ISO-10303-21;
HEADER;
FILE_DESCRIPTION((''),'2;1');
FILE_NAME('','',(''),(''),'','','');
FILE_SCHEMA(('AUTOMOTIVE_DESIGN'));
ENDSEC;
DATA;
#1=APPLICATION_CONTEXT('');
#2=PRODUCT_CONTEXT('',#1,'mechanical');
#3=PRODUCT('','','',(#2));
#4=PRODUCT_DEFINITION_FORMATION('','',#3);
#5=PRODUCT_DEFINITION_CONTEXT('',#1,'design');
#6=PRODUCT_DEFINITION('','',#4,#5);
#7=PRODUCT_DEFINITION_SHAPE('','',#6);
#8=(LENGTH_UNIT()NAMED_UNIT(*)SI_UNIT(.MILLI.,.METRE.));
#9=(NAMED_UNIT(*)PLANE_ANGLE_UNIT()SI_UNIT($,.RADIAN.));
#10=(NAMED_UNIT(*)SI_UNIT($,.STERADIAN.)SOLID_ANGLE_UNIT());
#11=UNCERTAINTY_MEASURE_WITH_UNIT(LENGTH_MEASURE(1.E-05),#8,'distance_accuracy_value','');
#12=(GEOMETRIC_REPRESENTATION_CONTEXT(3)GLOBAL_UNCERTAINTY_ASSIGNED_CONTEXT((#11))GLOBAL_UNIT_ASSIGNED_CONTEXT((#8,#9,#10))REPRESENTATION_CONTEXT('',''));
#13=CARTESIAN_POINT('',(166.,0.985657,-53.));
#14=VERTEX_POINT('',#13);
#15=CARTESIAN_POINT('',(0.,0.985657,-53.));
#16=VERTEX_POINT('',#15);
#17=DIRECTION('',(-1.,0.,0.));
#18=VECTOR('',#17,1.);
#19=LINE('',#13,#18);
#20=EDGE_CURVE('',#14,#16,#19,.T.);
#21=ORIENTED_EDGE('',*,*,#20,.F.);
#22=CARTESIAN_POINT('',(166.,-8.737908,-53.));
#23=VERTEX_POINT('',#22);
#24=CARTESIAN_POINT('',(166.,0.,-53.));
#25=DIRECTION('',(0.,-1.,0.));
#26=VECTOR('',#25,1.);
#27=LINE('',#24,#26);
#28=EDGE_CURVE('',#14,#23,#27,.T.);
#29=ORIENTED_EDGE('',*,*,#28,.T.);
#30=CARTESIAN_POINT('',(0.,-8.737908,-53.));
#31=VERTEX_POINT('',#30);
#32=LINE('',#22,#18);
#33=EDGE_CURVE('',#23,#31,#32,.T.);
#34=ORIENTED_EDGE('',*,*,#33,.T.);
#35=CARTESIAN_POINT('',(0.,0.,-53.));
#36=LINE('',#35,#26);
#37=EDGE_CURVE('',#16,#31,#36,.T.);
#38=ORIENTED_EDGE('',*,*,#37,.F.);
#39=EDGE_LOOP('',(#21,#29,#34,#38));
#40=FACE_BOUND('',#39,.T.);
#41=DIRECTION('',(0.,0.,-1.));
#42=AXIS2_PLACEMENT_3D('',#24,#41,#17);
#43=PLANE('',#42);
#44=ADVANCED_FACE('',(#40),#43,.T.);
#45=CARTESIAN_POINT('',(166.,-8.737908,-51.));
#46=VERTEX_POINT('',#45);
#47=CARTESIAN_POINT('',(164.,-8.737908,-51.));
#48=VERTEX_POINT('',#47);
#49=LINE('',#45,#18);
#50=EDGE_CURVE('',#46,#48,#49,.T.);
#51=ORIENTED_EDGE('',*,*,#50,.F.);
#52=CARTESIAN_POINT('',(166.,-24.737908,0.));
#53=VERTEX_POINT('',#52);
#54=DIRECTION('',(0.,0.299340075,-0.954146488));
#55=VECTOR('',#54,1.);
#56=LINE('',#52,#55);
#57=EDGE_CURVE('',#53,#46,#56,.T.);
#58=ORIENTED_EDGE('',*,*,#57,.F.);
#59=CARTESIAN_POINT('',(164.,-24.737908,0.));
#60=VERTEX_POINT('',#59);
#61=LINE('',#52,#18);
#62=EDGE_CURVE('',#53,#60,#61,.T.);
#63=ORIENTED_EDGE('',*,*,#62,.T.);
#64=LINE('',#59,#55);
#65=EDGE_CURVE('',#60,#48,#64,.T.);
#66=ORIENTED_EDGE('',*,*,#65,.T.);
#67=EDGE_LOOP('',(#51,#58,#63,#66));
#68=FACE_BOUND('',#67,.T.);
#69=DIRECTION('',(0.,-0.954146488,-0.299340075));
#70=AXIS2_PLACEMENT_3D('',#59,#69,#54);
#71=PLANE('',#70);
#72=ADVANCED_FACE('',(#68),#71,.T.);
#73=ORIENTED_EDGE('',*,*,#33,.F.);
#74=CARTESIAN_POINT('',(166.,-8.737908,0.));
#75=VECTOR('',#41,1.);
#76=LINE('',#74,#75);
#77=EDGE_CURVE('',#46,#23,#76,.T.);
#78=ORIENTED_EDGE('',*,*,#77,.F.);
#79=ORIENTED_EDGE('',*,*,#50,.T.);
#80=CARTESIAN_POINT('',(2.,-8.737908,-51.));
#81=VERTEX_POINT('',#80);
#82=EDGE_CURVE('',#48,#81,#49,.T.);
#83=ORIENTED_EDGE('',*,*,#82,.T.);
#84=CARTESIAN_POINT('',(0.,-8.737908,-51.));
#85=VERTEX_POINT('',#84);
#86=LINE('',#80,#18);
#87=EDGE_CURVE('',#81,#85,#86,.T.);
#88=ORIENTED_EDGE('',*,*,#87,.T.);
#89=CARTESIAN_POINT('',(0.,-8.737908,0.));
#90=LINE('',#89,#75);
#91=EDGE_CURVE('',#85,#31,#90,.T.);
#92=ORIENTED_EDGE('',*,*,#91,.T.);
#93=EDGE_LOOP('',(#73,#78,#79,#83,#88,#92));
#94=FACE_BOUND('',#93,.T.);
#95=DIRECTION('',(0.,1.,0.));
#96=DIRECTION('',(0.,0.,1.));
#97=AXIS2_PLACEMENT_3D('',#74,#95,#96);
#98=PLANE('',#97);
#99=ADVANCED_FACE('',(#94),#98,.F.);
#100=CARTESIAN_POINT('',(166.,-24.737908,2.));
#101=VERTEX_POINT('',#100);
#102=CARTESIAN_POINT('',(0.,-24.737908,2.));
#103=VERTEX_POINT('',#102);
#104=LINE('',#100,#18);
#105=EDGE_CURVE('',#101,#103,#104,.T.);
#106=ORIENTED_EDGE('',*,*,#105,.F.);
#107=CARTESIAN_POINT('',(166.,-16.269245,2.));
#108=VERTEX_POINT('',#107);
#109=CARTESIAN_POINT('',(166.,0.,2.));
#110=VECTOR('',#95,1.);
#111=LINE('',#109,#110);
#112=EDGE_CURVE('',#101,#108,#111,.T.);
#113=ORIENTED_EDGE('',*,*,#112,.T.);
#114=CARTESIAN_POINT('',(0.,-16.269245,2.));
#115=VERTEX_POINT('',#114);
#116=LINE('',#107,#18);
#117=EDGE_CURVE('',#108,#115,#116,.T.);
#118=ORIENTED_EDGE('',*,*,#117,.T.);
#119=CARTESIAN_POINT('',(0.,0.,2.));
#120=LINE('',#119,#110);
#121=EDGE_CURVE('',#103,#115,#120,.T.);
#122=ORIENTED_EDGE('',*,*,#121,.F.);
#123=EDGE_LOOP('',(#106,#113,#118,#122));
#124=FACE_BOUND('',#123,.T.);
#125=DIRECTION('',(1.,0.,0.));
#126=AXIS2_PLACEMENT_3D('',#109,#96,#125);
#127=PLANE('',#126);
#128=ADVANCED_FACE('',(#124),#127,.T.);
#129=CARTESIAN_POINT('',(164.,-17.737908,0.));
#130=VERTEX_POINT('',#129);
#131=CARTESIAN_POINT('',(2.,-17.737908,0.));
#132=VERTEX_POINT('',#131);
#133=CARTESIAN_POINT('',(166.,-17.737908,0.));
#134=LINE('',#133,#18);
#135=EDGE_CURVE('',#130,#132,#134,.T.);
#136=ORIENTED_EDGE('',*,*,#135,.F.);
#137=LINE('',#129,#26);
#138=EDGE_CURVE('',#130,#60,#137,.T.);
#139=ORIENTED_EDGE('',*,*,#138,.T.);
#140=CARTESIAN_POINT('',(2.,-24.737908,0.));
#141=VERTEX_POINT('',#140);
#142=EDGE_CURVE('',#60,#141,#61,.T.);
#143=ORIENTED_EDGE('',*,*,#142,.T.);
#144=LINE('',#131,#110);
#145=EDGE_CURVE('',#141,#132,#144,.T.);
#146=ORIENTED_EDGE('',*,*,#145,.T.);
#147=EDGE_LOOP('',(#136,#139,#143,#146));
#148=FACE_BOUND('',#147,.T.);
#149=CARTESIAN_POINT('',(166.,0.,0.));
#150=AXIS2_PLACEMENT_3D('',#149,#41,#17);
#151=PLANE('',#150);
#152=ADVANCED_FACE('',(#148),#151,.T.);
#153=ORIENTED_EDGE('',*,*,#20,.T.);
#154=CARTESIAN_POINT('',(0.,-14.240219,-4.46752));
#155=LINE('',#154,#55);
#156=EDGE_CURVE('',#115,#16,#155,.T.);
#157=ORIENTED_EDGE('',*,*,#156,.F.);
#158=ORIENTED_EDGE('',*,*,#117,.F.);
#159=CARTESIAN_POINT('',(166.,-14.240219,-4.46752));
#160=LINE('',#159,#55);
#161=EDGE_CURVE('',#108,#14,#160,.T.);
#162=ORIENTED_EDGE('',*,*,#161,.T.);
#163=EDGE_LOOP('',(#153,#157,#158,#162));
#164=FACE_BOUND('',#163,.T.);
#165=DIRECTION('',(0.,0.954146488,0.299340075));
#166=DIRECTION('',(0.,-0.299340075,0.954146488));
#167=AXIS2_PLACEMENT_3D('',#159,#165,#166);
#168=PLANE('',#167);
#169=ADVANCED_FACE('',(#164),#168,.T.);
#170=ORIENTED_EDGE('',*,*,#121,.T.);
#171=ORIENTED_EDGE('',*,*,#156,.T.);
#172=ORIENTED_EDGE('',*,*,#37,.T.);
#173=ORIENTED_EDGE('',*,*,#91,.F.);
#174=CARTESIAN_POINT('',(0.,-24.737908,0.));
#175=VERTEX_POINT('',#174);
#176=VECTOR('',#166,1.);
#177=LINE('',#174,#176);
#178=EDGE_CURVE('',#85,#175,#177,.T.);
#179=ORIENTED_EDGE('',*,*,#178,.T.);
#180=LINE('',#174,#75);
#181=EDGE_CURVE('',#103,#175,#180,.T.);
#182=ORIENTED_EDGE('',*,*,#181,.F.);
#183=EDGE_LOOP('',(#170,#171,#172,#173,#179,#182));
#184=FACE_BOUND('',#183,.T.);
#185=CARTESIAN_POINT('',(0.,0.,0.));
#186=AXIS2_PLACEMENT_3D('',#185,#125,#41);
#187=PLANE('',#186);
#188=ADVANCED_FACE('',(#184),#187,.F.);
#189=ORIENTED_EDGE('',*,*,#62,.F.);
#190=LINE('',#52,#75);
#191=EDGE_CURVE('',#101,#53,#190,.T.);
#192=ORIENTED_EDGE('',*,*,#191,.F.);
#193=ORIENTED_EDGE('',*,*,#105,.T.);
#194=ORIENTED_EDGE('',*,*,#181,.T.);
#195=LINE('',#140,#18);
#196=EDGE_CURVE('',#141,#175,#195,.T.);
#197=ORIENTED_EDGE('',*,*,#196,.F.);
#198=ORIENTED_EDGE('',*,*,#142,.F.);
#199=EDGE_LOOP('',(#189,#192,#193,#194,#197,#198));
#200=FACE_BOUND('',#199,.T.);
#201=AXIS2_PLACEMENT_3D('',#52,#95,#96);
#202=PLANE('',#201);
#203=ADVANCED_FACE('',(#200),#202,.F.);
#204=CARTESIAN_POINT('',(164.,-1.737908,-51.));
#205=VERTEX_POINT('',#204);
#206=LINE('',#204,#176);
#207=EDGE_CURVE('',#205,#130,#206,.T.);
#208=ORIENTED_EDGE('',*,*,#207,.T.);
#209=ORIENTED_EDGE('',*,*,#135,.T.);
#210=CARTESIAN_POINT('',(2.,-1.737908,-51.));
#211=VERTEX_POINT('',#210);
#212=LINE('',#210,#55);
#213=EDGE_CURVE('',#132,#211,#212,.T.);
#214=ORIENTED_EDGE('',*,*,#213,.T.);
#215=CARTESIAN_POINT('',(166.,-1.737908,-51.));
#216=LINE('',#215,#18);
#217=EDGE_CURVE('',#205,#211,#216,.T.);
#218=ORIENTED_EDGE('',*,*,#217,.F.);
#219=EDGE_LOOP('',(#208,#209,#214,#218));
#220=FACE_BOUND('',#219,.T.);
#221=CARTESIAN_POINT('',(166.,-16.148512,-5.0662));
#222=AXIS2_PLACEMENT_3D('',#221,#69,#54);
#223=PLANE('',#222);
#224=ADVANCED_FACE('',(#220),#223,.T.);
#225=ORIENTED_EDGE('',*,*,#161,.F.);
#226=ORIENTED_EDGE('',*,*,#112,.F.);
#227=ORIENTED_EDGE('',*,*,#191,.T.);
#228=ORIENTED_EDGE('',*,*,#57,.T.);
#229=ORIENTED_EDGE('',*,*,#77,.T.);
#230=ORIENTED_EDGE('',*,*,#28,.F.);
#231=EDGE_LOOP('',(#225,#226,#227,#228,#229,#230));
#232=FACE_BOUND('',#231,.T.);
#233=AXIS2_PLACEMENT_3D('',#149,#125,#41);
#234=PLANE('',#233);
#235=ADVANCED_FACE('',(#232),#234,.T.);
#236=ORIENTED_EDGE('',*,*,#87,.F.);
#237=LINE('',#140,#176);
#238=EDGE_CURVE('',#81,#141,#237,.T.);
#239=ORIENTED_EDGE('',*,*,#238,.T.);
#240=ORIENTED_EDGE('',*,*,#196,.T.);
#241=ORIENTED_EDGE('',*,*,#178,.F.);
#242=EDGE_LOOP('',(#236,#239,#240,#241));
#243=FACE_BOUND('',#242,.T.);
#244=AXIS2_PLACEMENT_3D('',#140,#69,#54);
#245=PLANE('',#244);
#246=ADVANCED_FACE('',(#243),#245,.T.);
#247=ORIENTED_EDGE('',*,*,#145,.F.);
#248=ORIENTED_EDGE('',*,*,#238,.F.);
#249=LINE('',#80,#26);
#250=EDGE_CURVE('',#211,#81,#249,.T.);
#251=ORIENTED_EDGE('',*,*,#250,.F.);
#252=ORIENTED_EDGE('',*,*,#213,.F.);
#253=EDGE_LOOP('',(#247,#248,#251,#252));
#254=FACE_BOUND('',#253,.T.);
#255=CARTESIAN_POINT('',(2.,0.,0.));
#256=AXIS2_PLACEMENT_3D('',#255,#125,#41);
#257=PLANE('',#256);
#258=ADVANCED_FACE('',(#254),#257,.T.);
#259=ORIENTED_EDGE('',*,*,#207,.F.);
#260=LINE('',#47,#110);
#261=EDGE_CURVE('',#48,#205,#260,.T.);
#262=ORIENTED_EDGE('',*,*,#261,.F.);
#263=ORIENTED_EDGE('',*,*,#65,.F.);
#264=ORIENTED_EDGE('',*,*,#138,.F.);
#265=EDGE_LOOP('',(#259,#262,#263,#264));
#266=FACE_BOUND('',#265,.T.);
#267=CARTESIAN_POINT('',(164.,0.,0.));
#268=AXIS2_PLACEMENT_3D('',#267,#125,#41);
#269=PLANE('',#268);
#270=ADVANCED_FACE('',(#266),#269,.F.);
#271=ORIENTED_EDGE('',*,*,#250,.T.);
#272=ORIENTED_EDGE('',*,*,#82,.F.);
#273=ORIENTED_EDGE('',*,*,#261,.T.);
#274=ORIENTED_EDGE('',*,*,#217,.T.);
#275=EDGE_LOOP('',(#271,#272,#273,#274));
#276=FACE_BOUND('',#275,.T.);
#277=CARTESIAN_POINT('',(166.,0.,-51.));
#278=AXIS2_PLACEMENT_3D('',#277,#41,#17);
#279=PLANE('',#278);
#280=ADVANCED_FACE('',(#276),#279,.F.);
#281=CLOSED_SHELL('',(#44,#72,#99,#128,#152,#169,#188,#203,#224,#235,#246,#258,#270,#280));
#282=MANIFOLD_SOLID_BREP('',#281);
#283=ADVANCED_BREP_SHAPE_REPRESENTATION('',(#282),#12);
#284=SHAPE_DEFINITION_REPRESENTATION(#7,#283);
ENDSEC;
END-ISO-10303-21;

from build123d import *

# Parameters (mm, degrees)
BOSS_EXTRUDE2_DEPTH = 166
BOSS_EXTRUDE3_DEPTH = 2
BOSS_EXTRUDE4_DEPTH = 2


with BuildPart() as part:
    # Sketch2 → Boss-Extrude2 (new body)
    with BuildSketch(Plane(origin=(0, 0, 0), x_dir=(0, 0, -1), z_dir=(1, 0, 0))):
        Polygon((51, -1.737908105), (51, -8.737908105), (53, -8.737908105), (53, -1.737908105), (53, 0.985657074), (50.401319851, 0.17038487), (-0.598680149, -15.82961513), (-2, -16.269244887), (-2, -17.737908105), (-2, -24.737908105), (0, -24.737908105), (0, -22.737908105), (0, -17.737908105), align=None)
    extrude(amount=BOSS_EXTRUDE2_DEPTH)

    # Sketch3 → Boss-Extrude3 (add)
    with BuildSketch(Plane.ZY):
        Polygon((-51, -1.737908105), (0, -17.737908105), (0, -24.737908105), (-51, -8.737908105), align=None)
    extrude(amount=-BOSS_EXTRUDE3_DEPTH)

    # Sketch4 → Boss-Extrude4 (add)
    with BuildSketch(Plane(origin=(166, 0, 0), x_dir=(0, 0, -1), z_dir=(1, 0, 0))):
        Polygon((51, -1.737908105), (0, -17.737908105), (0, -24.737908105), (51, -8.737908105), align=None)
    extrude(amount=-BOSS_EXTRUDE4_DEPTH)


solid = part.part
